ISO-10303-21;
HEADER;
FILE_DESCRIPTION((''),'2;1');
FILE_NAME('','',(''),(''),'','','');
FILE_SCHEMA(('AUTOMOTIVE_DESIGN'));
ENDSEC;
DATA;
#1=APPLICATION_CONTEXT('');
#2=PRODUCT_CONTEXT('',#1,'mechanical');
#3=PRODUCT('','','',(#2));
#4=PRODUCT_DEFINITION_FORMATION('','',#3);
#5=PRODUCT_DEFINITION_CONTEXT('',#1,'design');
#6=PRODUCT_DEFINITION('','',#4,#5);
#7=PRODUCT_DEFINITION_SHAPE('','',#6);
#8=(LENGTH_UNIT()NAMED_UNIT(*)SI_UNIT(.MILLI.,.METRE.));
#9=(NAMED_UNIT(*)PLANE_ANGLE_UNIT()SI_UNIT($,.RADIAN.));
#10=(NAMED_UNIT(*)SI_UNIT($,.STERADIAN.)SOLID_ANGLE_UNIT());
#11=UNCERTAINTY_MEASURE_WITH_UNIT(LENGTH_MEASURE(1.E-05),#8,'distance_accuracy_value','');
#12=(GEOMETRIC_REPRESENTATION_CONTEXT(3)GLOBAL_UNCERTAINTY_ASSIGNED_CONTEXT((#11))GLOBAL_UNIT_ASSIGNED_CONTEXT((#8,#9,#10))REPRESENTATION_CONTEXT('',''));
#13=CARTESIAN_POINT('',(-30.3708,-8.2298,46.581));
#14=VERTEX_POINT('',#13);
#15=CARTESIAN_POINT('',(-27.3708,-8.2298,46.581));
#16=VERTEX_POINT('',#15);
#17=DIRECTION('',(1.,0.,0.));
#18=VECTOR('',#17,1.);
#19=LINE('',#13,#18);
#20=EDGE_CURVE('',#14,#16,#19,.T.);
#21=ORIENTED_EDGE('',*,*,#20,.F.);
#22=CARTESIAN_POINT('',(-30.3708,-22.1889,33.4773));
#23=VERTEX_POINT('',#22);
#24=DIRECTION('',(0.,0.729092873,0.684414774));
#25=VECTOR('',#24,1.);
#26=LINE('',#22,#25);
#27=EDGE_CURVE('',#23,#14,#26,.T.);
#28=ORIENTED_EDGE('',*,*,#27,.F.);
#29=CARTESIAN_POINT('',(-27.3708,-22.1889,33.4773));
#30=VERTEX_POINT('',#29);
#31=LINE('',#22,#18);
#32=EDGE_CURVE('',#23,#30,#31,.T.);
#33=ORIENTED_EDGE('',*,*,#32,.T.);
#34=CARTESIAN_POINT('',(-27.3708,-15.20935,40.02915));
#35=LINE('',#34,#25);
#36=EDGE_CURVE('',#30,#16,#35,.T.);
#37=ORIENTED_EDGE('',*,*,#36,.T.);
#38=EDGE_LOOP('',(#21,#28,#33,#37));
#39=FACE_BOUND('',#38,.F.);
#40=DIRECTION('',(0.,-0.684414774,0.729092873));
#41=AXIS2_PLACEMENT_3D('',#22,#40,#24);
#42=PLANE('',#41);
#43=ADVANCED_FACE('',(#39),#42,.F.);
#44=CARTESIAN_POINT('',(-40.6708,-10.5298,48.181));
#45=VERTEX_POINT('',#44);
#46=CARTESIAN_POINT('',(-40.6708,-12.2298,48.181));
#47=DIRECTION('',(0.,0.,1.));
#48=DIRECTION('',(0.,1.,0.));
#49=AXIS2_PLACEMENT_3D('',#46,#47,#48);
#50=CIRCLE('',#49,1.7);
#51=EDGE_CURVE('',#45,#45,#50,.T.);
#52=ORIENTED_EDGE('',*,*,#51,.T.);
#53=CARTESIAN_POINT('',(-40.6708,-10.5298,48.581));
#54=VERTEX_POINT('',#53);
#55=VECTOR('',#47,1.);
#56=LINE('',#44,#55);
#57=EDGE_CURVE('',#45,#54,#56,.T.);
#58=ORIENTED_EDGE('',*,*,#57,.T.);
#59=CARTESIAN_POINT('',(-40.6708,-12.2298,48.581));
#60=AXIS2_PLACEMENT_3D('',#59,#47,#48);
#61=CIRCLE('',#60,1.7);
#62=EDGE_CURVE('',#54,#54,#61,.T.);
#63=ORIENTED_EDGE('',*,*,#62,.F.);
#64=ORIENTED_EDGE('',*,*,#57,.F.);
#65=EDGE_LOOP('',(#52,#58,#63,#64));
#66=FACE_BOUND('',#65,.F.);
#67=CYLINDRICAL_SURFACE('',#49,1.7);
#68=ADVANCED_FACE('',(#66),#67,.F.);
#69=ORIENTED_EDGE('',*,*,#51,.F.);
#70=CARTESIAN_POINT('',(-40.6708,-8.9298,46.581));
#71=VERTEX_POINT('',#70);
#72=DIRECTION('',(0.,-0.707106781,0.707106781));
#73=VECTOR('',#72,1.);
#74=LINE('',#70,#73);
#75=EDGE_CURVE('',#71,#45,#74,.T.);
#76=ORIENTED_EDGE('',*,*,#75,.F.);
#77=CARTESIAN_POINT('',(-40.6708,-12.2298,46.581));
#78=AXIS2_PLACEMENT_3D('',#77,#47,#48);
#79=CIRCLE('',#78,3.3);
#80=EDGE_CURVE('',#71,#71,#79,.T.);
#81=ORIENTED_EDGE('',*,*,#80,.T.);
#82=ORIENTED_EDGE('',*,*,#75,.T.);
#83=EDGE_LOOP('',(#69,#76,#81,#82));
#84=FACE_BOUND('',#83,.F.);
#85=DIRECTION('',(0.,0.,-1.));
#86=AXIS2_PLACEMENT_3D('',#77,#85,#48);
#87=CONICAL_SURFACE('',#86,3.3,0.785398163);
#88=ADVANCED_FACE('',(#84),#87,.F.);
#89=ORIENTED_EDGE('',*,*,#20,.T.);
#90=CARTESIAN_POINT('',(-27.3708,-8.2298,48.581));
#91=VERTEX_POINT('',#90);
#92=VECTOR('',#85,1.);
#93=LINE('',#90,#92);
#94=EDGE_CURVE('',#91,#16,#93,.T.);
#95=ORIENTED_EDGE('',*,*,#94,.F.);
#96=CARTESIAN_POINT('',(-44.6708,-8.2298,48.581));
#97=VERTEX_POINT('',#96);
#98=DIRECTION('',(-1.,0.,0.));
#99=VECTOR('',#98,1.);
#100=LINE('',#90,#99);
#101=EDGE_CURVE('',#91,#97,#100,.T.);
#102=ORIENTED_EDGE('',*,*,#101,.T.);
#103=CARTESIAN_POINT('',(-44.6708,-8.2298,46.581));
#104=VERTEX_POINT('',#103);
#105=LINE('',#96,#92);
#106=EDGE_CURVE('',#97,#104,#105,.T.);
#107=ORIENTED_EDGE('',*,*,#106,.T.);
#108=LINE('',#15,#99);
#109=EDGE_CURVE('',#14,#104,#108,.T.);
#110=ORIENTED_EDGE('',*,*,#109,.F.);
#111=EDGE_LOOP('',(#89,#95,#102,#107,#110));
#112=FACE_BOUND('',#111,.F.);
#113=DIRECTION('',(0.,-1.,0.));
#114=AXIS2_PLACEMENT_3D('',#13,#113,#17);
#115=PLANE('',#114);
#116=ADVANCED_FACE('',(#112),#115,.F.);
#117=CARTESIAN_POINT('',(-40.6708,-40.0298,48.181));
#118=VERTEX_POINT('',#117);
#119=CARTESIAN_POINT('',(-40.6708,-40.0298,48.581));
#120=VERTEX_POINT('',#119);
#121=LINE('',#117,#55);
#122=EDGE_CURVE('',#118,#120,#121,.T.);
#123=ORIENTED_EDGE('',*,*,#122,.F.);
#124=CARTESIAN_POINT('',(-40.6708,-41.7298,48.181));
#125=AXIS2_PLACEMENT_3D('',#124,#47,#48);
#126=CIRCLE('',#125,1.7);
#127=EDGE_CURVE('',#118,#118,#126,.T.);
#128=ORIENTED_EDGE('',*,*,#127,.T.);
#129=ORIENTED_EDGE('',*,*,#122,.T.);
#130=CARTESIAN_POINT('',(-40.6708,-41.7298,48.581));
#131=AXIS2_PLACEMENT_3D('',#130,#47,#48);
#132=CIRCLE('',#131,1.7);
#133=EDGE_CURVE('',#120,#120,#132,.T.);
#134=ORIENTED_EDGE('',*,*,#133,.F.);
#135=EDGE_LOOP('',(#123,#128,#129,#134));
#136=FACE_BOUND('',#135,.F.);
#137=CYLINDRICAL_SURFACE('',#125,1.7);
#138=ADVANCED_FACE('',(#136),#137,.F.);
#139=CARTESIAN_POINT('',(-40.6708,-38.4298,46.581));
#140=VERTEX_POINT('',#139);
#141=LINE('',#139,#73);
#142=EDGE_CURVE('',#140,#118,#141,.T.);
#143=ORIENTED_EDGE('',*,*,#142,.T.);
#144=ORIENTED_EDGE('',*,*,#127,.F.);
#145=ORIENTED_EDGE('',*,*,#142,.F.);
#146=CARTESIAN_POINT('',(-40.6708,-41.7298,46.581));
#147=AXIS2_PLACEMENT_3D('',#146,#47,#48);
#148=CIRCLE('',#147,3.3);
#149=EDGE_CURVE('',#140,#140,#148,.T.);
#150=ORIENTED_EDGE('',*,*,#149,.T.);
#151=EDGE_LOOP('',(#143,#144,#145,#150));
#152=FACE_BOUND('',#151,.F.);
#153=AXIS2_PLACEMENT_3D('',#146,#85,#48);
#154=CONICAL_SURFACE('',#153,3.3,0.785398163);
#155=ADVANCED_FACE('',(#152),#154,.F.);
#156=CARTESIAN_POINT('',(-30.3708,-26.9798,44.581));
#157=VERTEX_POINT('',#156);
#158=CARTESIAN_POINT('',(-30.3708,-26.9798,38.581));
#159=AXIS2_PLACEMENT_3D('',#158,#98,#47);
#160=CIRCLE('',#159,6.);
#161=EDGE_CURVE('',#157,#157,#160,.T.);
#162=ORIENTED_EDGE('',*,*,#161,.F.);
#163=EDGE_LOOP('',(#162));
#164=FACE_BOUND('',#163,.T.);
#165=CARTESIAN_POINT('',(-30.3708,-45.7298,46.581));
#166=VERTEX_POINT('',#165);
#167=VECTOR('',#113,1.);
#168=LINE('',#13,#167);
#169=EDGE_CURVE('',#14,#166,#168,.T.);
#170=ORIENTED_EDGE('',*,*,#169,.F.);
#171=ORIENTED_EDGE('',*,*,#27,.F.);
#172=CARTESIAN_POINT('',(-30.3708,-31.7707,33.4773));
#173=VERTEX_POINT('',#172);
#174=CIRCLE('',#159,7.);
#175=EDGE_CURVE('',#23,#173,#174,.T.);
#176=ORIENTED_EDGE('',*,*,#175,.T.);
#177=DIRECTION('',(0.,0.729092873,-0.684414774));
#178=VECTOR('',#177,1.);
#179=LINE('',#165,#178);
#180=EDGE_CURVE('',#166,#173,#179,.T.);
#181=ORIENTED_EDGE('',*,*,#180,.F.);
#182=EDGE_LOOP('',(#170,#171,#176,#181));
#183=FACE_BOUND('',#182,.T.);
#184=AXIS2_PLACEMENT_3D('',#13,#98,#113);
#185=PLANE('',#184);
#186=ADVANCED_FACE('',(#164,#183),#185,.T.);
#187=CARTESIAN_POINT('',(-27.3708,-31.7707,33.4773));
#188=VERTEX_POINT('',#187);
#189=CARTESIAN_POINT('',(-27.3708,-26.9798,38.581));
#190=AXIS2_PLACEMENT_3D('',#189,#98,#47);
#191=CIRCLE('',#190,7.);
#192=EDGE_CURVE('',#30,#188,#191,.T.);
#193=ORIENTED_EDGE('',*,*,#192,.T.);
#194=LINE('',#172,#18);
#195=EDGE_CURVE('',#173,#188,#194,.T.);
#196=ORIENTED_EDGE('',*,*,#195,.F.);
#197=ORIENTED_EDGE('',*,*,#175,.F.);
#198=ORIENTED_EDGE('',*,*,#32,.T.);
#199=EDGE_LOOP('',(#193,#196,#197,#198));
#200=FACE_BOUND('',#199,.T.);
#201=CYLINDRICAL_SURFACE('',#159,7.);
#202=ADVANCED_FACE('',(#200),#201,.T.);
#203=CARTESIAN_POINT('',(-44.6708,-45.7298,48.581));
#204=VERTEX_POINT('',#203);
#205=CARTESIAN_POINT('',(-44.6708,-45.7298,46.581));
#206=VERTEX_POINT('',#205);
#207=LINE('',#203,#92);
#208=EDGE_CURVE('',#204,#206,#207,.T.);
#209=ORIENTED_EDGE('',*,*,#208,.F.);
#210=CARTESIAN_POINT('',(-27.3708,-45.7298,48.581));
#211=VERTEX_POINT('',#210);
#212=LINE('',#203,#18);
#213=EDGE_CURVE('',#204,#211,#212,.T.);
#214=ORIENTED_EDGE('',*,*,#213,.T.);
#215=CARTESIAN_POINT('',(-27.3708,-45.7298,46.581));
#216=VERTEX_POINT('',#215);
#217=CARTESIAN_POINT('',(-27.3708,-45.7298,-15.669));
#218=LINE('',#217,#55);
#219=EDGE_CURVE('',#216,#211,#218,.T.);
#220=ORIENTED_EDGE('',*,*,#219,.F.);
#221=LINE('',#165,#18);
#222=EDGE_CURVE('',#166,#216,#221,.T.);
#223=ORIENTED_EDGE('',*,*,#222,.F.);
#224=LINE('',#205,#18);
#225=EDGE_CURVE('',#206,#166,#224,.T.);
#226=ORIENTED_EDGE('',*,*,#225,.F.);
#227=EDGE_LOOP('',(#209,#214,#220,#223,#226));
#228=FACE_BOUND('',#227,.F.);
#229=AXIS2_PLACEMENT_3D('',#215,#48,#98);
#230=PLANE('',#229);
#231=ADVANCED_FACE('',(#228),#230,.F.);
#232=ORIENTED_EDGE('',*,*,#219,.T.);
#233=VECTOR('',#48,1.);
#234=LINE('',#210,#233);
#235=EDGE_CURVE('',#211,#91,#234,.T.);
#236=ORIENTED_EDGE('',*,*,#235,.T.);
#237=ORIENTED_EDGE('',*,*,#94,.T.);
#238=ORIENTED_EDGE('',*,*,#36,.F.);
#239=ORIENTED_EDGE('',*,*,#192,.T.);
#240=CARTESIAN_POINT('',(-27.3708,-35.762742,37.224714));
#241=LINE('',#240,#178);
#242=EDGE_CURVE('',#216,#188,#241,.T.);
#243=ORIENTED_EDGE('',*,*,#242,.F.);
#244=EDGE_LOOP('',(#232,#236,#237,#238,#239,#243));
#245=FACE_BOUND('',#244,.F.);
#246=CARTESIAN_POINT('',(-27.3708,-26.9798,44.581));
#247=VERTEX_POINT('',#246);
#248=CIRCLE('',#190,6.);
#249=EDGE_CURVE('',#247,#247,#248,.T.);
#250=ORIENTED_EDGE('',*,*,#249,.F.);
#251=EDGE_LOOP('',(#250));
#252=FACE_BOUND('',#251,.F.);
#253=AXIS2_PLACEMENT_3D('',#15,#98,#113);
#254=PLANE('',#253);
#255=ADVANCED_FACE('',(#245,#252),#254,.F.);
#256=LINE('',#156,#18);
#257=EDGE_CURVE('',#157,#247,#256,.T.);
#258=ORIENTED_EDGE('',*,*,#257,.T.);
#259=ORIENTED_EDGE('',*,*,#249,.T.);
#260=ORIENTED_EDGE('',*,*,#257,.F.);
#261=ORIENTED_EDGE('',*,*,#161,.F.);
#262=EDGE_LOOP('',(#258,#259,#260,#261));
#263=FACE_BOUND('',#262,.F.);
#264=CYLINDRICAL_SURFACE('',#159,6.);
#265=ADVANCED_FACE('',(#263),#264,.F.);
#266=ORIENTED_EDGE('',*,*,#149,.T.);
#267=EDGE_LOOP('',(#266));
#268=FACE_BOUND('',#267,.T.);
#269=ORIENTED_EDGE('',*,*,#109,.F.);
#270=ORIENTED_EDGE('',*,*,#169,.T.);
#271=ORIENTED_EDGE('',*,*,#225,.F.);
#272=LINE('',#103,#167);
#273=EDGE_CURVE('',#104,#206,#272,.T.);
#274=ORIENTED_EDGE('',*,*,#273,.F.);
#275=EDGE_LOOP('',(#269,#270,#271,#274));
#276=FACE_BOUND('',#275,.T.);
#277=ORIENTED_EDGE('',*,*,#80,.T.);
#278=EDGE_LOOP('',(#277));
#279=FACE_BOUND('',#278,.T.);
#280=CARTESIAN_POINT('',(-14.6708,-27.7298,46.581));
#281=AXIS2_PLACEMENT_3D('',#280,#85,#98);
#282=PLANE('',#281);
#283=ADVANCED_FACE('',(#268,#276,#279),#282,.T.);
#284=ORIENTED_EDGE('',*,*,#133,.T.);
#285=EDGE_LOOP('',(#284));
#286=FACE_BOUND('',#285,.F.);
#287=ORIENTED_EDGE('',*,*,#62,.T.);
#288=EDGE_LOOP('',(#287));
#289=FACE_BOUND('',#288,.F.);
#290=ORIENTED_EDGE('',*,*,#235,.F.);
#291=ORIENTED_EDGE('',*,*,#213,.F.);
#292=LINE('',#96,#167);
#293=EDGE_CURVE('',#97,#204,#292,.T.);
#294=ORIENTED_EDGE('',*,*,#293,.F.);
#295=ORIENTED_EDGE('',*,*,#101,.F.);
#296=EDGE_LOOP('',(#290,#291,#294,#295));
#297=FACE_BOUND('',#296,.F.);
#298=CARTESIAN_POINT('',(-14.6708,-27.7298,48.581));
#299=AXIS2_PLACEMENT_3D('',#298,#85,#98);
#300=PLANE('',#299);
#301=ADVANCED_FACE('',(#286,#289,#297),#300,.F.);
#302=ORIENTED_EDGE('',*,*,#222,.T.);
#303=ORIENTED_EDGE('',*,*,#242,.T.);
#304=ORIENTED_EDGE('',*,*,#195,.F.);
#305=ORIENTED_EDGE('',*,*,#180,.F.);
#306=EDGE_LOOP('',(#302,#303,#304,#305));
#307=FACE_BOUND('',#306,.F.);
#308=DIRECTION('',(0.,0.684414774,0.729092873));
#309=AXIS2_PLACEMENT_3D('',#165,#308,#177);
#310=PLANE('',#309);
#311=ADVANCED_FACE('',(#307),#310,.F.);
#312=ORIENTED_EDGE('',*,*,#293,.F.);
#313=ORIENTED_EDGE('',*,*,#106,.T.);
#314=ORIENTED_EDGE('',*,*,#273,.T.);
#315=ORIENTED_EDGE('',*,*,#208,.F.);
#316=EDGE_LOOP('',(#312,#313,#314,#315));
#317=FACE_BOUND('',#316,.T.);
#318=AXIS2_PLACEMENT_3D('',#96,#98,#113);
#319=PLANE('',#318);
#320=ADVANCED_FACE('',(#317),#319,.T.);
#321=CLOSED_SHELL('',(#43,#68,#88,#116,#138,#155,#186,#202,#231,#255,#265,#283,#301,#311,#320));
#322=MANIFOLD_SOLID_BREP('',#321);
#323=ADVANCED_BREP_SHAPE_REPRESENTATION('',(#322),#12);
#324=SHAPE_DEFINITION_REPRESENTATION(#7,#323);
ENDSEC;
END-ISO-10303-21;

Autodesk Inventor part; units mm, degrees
ref_plane "YZ Plane" through (0, 0, 0) normal (1, 0, 0) x (0, 1, 0)
ref_plane "XZ Plane" through (0, 0, 0) normal (0, 1, 0) x (-1, 0, 0)
ref_plane "XY Plane" through (0, 0, 0) normal (0, 0, 1) x (1, 0, 0)
ref_plane "Work Plane1" through (-14.6708, -27.7298, 48.581) normal (0, 0, -1) x (-1, 0, 0)
sketch "Sketch1" plane through (-14.6708, -27.7298, 48.581) normal (0, 0, -1) x (-1, 0, 0)
  circle A0 centre (26, 15.5) radius 3.3 projected
  circle A1 centre (26, -14) radius 3.3 projected
  line L0 (12.7, 19.5) -> (30, 19.5)
  line L1 (30, 19.5) -> (30, -18)
  line L2 (30, -18) -> (12.7, -18)
  line L3 (12.7, -18) -> (12.7, 19.5)
  line L4 (15.7, 19.5) -> (15.7, -18)
  point P0 (-14.6708, 27.7298)
  dimension "d0" = 4
  dimension "d1" = 4
  dimension "d2" = 4
  dimension "d3" = 10
  dimension "d4" = 3
extrude "Extrusion1" add sketch "Sketch1" along normal blind 2 contours A0 | A1 | L0 L4 L2 L3 | L0 L1 L2 L4
sketch "Sketch2" plane through (-14.6708, -27.7298, 46.581) normal (0, 0, -1) x (-1, 0, 0)
  line L0 (15.7, 19.5) -> (15.7, -18) projected
  line L1 (12.7, 19.5) -> (12.7, -18) projected
  circle A0 centre (26, 15.5) radius 3.3 projected
  circle A1 centre (26, -14) radius 3.3 projected
  line L2 (30, 19.5) -> (12.7, 19.5) projected
  line L3 (12.7, -18) -> (30, -18) projected
  point P0 (-14.6708, 27.7298)
hole "Hole1" at (-40.6708, -12.2298, 46.581) at (-40.6708, -41.7298, 46.581) direction (0, 0, 1) diameter 3.4 end through all countersink diameter 6.6 countersink angle 90 clearance for "Countersunk Head GOST 12876-67" size "M3" standard "GOST"
sketch "Sketch3" plane through (-14.6708, -27.7298, 46.581) normal (0, 0, -1) x (-1, 0, 0)
  line L0 (30, 19.5) -> (12.7, 19.5) projected
  line L1 (12.7, 19.5) -> (12.7, -18) projected
  line L2 (15.7, 19.5) -> (15.7, -18) projected
  line L3 (12.7, -18) -> (30, -18) projected
  point P0 (-14.6708, 27.7298)
extrude "Extrusion2" add sketch "Sketch3" along normal blind 62.25
sketch "Sketch4" plane through (-30.3708, -45.7298, 46.581) normal (-1, 0, 0) x (0, 0, 1)
  line L0 (2, 0) -> (-62.25, 0) projected
  line L1 (-8, 0) -> (-8, 37.5) construction
  line L2 (0, 37.5) -> (-62.25, 37.5) projected
  circle A0 centre (-8, 18.75) radius 7
  line L3 (0, 37.5) -> (0, 0) projected
  circle A1 centre (-8, 18.75) radius 6
  line L4 (0, 0) -> (-13.1037, 13.9591)
  line L5 (-13.1037, 23.5409) -> (0, 37.5)
  line L6 (-62.25, 0) -> (-62.25, 37.5) projected
  point P0 (-46.581, 45.7298)
  dimension "d16" = 14
  dimension "d17" = 8
  dimension "d18" = 12
extrude "Extrusion3" cut sketch "Sketch4" against normal through all contours L0 L6 L2 L5 A0 L4 | A1
properties part number "tumbler_holder"
